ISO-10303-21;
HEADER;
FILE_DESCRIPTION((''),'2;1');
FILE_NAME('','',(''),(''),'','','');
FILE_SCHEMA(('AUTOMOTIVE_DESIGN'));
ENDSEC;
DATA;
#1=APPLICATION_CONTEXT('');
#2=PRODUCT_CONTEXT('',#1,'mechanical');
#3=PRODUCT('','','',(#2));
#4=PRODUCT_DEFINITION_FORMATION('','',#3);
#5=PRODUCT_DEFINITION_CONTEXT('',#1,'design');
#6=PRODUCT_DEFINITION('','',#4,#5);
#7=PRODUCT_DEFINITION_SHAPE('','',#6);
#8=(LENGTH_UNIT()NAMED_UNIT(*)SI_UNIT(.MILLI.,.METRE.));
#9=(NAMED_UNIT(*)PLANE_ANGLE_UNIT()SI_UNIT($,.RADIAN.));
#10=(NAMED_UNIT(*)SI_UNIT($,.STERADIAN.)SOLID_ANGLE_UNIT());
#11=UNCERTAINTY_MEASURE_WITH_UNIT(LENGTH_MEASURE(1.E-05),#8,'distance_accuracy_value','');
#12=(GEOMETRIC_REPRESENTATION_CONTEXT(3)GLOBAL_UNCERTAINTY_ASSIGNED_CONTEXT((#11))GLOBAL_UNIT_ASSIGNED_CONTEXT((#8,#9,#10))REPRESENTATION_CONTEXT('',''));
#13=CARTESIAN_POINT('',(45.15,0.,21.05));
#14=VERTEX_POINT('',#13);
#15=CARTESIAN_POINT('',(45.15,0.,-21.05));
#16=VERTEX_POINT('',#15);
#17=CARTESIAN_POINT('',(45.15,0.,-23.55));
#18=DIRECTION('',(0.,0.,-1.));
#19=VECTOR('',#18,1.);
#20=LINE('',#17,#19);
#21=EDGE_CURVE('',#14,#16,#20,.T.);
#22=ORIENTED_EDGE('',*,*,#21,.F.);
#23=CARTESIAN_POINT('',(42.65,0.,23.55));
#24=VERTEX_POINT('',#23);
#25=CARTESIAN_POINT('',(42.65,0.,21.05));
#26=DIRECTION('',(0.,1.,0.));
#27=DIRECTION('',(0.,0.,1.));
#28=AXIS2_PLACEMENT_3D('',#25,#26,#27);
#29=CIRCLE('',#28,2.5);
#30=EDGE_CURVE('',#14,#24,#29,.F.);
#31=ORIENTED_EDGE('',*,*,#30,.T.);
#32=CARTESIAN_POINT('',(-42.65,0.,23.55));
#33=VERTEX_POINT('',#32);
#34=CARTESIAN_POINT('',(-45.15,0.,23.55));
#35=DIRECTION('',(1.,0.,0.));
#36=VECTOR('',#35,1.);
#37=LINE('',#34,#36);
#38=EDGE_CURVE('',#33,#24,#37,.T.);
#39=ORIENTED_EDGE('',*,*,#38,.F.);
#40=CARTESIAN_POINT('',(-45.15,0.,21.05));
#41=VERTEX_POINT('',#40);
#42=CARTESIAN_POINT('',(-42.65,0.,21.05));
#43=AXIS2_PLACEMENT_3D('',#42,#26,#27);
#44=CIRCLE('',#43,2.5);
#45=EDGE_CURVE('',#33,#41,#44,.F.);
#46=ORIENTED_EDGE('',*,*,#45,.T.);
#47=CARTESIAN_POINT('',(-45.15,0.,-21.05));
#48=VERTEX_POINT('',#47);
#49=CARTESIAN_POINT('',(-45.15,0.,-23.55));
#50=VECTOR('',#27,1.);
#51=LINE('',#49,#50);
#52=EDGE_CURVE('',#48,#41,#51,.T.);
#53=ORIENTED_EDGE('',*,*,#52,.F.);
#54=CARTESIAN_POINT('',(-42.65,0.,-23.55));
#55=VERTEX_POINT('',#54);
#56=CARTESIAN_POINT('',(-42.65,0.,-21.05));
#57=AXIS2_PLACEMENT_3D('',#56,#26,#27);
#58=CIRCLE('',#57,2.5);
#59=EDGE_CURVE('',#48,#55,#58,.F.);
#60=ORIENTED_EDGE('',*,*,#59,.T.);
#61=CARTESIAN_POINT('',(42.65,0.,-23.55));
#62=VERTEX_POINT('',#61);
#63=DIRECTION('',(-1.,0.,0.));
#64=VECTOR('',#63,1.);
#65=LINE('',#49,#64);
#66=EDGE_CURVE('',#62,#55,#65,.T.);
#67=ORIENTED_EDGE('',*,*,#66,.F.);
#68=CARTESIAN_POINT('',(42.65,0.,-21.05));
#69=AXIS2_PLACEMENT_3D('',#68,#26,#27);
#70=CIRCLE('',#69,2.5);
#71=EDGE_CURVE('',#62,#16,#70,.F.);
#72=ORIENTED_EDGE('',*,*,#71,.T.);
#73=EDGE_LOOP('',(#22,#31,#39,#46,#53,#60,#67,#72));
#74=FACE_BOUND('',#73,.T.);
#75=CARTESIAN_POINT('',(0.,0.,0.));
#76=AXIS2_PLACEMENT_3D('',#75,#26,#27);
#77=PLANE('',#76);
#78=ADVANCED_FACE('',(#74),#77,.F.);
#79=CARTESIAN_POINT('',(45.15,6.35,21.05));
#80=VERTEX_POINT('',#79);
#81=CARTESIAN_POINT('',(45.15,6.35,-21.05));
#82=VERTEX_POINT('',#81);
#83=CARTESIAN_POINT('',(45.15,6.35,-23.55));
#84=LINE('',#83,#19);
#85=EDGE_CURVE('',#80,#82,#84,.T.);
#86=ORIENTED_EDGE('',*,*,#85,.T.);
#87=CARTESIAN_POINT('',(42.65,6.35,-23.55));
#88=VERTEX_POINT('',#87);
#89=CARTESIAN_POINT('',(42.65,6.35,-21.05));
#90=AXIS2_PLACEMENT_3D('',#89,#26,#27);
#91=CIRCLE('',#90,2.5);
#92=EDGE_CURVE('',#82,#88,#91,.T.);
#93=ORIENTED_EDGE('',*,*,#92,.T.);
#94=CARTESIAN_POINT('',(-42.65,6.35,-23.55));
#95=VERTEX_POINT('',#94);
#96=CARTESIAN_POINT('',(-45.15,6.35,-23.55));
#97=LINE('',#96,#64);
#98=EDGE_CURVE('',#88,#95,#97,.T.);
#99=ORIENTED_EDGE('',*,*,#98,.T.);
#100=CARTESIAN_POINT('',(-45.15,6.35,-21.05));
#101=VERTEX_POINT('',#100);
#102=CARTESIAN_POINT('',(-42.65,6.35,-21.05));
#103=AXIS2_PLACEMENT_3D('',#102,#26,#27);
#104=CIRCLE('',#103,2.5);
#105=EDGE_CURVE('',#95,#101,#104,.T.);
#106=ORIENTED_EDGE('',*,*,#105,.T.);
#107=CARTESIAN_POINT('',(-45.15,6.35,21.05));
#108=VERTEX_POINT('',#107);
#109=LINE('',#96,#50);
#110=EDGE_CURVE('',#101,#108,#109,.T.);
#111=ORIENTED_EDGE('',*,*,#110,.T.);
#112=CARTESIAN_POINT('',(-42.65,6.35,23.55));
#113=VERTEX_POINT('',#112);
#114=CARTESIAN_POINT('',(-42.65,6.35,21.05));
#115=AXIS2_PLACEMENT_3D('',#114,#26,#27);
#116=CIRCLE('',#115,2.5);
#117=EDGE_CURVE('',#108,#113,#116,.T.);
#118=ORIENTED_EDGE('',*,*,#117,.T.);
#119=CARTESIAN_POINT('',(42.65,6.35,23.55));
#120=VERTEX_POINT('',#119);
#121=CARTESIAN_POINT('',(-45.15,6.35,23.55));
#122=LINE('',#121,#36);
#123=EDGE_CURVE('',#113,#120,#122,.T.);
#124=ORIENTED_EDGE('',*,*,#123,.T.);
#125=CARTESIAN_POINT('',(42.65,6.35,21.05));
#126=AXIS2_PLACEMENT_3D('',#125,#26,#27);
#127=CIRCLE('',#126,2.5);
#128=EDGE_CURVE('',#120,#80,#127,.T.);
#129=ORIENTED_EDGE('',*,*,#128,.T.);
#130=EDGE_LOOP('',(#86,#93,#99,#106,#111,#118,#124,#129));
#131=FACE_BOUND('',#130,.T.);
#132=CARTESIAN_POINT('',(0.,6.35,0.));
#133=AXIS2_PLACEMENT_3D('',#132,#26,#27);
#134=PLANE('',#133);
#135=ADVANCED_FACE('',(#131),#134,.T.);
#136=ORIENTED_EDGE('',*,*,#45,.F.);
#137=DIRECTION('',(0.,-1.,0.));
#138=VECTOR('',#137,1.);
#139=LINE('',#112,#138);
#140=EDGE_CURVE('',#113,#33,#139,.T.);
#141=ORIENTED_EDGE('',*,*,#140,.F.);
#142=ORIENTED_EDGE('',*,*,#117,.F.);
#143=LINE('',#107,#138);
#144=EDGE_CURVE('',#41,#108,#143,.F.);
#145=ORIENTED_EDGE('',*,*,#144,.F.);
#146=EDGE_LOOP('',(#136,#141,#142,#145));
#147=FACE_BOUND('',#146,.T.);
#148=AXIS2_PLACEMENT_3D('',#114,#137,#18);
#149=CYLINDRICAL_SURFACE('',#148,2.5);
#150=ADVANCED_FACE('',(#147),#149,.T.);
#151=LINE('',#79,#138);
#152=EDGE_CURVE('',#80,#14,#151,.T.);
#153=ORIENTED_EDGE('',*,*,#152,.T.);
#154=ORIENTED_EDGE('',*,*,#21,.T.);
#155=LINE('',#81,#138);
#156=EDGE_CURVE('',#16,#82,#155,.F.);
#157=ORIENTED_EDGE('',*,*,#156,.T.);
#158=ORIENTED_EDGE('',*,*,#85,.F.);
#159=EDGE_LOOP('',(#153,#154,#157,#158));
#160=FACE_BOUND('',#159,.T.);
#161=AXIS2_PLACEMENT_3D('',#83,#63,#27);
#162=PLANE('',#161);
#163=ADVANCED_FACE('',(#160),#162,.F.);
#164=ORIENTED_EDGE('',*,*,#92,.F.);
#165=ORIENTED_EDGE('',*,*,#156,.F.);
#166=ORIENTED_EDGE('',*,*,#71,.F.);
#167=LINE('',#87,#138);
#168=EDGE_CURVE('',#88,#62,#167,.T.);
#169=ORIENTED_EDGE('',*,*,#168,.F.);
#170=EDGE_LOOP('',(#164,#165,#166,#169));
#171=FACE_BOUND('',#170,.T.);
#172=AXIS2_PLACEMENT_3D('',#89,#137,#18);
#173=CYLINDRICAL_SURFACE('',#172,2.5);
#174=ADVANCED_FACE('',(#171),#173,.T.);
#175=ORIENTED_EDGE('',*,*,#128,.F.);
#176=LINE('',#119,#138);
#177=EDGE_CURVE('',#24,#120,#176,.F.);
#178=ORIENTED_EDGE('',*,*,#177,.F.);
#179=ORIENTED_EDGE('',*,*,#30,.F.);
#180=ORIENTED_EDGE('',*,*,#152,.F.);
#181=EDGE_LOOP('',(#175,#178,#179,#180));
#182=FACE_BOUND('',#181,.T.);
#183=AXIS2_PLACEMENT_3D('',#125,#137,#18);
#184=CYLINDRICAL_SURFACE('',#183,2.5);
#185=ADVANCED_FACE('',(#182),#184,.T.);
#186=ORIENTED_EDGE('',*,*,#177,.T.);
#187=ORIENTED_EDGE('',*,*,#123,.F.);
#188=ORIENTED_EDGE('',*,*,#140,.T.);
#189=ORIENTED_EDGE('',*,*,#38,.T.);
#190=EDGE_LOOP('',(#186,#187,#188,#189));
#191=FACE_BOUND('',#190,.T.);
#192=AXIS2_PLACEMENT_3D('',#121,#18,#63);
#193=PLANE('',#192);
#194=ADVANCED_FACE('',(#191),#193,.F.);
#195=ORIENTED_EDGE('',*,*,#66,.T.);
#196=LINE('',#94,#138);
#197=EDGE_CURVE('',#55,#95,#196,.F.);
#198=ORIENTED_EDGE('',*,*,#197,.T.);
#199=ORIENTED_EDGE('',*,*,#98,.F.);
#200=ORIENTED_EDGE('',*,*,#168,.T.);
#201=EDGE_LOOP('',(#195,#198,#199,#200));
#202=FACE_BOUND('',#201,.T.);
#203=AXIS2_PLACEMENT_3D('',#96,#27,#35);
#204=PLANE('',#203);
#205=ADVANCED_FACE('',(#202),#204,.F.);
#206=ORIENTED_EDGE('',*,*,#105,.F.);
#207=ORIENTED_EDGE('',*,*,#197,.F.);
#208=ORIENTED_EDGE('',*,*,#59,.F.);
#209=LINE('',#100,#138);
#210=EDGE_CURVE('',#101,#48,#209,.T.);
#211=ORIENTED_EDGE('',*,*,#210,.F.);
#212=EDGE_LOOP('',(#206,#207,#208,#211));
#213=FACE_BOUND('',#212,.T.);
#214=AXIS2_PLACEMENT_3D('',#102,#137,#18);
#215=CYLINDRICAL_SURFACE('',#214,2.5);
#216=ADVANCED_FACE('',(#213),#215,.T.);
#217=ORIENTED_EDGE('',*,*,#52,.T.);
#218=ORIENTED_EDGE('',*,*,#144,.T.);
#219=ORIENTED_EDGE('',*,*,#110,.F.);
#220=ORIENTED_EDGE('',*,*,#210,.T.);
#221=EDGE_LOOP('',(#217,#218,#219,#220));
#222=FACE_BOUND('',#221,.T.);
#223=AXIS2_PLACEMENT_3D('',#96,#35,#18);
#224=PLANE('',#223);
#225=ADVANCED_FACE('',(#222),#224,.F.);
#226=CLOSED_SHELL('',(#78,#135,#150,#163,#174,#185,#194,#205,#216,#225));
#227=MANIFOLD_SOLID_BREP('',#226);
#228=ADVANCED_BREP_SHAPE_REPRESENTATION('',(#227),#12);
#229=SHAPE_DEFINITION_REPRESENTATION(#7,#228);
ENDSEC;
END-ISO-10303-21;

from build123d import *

# Parameters (mm, degrees)
SKETCH1_W           = 90.3
SKETCH1_H           = 47.1
BOSS_EXTRUDE1_DEPTH = 6.35
FILLET1_R           = 2.5


with BuildPart() as part:
    # Sketch1 → Boss-Extrude1 (new body)
    with BuildSketch(Plane(origin=(0, 0, 0), x_dir=(1, 0, 0), z_dir=(0, 1, 0))):
        Rectangle(SKETCH1_W, SKETCH1_H)
    extrude(amount=BOSS_EXTRUDE1_DEPTH)

    # Fillet1
    fillet1_edges = [part.edges().sort_by_distance(p)[0] for p in [
        (-45.15, 3.175, -23.55),
        (45.15, 3.175, -23.55),
        (45.15, 3.175, 23.55),
        (-45.15, 3.175, 23.55),
    ]]
    fillet(fillet1_edges, radius=FILLET1_R)


solid = part.part
